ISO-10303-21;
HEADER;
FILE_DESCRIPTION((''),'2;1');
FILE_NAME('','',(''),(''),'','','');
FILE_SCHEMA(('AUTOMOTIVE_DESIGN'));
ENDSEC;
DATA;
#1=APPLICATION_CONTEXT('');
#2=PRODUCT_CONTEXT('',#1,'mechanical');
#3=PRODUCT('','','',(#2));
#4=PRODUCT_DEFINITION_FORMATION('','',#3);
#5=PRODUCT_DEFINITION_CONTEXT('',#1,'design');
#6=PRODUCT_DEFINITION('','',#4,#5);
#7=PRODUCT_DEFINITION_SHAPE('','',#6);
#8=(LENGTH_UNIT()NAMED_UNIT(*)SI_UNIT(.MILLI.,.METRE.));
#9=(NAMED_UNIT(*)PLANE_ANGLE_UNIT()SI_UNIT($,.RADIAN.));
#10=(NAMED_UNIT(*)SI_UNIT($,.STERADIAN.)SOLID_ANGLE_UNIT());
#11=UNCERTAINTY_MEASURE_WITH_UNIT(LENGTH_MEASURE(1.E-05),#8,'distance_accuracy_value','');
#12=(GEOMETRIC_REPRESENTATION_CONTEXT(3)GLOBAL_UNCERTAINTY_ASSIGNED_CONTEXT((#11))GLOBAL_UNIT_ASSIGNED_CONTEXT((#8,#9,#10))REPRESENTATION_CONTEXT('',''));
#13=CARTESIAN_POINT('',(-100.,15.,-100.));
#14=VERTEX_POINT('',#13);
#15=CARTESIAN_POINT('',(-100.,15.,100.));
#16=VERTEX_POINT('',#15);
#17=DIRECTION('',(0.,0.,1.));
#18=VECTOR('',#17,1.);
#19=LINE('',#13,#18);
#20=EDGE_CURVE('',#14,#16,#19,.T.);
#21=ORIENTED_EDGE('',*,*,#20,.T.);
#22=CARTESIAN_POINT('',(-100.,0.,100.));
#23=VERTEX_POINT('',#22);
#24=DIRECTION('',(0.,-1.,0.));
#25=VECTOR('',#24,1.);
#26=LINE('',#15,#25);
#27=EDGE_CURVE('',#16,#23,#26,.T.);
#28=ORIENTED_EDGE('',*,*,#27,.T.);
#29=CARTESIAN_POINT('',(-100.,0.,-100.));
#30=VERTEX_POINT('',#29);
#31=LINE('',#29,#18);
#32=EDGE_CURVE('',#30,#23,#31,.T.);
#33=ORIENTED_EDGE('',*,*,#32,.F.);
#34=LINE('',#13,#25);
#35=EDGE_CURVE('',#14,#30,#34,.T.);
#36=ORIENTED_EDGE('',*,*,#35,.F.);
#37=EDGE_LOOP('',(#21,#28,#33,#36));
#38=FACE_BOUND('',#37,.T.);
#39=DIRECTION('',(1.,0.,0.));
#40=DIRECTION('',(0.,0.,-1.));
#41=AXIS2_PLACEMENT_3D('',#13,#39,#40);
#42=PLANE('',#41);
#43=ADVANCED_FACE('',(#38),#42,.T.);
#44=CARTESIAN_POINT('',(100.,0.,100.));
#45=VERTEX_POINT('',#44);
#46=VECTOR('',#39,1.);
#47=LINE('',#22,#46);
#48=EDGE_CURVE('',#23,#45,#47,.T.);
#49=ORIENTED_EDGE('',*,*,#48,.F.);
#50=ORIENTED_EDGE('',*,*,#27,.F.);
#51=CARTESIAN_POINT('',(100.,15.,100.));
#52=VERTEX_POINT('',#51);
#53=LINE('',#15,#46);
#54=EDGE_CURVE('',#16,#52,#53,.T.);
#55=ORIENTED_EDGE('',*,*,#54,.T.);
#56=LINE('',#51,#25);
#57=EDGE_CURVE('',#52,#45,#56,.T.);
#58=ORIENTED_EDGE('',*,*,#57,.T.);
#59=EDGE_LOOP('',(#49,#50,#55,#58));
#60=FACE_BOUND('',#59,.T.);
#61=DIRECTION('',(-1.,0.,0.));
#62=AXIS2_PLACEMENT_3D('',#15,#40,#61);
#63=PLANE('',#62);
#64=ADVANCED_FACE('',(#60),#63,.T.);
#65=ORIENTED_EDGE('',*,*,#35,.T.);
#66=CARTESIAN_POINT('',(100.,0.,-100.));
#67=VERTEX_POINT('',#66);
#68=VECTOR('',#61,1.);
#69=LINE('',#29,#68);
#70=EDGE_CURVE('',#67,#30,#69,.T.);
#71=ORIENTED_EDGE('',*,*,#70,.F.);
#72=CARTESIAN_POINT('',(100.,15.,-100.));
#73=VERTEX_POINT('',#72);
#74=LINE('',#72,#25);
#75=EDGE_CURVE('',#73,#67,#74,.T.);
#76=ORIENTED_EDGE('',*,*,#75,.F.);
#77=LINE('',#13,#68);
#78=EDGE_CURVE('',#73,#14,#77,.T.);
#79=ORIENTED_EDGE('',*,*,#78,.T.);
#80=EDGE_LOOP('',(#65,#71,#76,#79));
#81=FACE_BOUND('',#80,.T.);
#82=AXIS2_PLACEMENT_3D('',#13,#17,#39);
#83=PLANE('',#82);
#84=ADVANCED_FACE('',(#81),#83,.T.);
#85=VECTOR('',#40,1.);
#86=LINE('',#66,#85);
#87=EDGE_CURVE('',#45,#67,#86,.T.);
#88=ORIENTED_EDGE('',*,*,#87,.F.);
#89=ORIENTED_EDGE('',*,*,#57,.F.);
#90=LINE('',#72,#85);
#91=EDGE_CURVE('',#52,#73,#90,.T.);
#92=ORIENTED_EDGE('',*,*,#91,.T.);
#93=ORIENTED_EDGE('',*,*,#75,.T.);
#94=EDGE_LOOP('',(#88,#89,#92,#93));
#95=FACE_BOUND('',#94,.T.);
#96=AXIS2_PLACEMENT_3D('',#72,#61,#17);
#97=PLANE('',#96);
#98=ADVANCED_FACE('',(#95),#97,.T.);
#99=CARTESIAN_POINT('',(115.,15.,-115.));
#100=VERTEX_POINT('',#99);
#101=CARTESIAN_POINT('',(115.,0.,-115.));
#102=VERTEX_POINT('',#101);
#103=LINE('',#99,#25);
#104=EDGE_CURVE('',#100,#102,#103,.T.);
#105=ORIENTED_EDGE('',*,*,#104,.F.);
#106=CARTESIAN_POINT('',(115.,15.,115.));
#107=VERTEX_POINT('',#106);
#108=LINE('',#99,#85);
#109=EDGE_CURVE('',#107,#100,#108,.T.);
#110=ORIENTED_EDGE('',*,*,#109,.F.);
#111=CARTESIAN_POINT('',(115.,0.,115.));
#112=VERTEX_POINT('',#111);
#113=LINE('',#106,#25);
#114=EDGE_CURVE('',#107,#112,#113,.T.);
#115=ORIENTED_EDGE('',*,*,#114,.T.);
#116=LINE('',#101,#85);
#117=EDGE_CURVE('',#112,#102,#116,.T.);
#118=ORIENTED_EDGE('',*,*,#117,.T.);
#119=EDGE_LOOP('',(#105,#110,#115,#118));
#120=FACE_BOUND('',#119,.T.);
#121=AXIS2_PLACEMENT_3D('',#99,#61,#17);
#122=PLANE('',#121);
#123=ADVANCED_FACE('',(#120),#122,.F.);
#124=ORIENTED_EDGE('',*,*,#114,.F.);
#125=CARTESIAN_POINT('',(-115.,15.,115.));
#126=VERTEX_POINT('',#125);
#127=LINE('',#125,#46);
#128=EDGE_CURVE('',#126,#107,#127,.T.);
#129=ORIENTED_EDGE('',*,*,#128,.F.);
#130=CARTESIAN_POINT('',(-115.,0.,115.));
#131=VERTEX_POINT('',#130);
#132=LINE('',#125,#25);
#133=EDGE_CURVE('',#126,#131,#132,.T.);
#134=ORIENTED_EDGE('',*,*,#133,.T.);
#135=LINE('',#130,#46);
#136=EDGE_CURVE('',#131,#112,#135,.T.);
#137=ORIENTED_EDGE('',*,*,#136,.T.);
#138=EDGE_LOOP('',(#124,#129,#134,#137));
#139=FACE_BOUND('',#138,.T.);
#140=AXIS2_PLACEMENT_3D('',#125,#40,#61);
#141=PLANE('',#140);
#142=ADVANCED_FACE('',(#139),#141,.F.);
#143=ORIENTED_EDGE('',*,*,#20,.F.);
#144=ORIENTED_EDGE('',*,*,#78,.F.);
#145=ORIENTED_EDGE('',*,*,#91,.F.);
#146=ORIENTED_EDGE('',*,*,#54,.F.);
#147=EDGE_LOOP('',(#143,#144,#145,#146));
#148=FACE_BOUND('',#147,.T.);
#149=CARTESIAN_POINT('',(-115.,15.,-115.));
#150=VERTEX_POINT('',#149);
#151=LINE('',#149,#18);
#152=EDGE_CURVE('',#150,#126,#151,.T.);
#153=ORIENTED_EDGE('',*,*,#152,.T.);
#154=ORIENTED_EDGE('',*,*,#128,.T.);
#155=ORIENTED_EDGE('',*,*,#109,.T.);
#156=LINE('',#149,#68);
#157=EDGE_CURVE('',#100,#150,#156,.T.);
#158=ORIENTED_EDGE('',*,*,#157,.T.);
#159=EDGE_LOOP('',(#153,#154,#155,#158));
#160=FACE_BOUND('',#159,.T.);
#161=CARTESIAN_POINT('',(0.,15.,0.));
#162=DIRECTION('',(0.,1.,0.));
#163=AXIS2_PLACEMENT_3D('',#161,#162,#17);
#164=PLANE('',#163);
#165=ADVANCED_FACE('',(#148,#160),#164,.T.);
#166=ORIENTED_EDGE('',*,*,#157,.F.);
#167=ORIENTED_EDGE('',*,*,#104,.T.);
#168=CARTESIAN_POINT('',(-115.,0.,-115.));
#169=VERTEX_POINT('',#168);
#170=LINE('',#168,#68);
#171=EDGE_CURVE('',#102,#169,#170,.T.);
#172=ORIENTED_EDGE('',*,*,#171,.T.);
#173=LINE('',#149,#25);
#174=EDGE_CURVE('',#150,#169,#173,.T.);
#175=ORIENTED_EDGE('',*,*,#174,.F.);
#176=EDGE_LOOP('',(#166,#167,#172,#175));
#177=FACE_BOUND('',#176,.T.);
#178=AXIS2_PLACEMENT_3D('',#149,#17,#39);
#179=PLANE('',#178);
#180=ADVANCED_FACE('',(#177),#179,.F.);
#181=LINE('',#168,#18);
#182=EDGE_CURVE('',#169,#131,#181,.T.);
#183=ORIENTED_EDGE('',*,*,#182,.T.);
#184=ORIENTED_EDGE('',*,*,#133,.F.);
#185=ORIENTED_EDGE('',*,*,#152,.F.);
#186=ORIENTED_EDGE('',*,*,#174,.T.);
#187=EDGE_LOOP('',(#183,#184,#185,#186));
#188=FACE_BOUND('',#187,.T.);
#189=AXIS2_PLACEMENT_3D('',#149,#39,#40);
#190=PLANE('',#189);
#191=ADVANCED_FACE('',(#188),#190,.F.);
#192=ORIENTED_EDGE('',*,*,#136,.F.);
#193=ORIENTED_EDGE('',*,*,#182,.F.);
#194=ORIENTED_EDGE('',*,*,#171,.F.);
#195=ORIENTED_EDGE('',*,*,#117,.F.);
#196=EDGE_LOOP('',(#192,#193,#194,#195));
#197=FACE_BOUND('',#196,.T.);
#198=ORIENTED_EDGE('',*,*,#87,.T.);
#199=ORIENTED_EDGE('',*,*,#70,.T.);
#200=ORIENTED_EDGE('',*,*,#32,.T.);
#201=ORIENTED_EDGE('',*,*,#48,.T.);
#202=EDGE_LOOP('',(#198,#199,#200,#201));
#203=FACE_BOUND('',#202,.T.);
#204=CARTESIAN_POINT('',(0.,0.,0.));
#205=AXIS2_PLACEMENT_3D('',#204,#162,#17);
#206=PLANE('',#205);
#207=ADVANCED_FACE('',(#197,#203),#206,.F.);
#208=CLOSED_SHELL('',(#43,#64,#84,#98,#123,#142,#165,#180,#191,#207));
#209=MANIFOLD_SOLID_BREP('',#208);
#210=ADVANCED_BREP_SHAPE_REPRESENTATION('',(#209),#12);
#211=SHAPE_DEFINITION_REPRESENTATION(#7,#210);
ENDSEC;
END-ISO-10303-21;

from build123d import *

# Parameters (mm, degrees)
SKETCH_1_W      = 230
SKETCH_1_H      = 230
SKETCH_1_W_2    = 200
SKETCH_1_H_2    = 200
EXTRUDE_1_DEPTH = 15


with BuildPart() as part:
    # 草图1 → 凸台-拉伸1 (new body)
    with BuildSketch(Plane(origin=(0, 0, 0), x_dir=(1, 0, 0), z_dir=(0, 1, 0))):
        Rectangle(SKETCH_1_W, SKETCH_1_H)
        Rectangle(SKETCH_1_W_2, SKETCH_1_H_2, mode=Mode.SUBTRACT)
    extrude(amount=EXTRUDE_1_DEPTH)


solid = part.part
